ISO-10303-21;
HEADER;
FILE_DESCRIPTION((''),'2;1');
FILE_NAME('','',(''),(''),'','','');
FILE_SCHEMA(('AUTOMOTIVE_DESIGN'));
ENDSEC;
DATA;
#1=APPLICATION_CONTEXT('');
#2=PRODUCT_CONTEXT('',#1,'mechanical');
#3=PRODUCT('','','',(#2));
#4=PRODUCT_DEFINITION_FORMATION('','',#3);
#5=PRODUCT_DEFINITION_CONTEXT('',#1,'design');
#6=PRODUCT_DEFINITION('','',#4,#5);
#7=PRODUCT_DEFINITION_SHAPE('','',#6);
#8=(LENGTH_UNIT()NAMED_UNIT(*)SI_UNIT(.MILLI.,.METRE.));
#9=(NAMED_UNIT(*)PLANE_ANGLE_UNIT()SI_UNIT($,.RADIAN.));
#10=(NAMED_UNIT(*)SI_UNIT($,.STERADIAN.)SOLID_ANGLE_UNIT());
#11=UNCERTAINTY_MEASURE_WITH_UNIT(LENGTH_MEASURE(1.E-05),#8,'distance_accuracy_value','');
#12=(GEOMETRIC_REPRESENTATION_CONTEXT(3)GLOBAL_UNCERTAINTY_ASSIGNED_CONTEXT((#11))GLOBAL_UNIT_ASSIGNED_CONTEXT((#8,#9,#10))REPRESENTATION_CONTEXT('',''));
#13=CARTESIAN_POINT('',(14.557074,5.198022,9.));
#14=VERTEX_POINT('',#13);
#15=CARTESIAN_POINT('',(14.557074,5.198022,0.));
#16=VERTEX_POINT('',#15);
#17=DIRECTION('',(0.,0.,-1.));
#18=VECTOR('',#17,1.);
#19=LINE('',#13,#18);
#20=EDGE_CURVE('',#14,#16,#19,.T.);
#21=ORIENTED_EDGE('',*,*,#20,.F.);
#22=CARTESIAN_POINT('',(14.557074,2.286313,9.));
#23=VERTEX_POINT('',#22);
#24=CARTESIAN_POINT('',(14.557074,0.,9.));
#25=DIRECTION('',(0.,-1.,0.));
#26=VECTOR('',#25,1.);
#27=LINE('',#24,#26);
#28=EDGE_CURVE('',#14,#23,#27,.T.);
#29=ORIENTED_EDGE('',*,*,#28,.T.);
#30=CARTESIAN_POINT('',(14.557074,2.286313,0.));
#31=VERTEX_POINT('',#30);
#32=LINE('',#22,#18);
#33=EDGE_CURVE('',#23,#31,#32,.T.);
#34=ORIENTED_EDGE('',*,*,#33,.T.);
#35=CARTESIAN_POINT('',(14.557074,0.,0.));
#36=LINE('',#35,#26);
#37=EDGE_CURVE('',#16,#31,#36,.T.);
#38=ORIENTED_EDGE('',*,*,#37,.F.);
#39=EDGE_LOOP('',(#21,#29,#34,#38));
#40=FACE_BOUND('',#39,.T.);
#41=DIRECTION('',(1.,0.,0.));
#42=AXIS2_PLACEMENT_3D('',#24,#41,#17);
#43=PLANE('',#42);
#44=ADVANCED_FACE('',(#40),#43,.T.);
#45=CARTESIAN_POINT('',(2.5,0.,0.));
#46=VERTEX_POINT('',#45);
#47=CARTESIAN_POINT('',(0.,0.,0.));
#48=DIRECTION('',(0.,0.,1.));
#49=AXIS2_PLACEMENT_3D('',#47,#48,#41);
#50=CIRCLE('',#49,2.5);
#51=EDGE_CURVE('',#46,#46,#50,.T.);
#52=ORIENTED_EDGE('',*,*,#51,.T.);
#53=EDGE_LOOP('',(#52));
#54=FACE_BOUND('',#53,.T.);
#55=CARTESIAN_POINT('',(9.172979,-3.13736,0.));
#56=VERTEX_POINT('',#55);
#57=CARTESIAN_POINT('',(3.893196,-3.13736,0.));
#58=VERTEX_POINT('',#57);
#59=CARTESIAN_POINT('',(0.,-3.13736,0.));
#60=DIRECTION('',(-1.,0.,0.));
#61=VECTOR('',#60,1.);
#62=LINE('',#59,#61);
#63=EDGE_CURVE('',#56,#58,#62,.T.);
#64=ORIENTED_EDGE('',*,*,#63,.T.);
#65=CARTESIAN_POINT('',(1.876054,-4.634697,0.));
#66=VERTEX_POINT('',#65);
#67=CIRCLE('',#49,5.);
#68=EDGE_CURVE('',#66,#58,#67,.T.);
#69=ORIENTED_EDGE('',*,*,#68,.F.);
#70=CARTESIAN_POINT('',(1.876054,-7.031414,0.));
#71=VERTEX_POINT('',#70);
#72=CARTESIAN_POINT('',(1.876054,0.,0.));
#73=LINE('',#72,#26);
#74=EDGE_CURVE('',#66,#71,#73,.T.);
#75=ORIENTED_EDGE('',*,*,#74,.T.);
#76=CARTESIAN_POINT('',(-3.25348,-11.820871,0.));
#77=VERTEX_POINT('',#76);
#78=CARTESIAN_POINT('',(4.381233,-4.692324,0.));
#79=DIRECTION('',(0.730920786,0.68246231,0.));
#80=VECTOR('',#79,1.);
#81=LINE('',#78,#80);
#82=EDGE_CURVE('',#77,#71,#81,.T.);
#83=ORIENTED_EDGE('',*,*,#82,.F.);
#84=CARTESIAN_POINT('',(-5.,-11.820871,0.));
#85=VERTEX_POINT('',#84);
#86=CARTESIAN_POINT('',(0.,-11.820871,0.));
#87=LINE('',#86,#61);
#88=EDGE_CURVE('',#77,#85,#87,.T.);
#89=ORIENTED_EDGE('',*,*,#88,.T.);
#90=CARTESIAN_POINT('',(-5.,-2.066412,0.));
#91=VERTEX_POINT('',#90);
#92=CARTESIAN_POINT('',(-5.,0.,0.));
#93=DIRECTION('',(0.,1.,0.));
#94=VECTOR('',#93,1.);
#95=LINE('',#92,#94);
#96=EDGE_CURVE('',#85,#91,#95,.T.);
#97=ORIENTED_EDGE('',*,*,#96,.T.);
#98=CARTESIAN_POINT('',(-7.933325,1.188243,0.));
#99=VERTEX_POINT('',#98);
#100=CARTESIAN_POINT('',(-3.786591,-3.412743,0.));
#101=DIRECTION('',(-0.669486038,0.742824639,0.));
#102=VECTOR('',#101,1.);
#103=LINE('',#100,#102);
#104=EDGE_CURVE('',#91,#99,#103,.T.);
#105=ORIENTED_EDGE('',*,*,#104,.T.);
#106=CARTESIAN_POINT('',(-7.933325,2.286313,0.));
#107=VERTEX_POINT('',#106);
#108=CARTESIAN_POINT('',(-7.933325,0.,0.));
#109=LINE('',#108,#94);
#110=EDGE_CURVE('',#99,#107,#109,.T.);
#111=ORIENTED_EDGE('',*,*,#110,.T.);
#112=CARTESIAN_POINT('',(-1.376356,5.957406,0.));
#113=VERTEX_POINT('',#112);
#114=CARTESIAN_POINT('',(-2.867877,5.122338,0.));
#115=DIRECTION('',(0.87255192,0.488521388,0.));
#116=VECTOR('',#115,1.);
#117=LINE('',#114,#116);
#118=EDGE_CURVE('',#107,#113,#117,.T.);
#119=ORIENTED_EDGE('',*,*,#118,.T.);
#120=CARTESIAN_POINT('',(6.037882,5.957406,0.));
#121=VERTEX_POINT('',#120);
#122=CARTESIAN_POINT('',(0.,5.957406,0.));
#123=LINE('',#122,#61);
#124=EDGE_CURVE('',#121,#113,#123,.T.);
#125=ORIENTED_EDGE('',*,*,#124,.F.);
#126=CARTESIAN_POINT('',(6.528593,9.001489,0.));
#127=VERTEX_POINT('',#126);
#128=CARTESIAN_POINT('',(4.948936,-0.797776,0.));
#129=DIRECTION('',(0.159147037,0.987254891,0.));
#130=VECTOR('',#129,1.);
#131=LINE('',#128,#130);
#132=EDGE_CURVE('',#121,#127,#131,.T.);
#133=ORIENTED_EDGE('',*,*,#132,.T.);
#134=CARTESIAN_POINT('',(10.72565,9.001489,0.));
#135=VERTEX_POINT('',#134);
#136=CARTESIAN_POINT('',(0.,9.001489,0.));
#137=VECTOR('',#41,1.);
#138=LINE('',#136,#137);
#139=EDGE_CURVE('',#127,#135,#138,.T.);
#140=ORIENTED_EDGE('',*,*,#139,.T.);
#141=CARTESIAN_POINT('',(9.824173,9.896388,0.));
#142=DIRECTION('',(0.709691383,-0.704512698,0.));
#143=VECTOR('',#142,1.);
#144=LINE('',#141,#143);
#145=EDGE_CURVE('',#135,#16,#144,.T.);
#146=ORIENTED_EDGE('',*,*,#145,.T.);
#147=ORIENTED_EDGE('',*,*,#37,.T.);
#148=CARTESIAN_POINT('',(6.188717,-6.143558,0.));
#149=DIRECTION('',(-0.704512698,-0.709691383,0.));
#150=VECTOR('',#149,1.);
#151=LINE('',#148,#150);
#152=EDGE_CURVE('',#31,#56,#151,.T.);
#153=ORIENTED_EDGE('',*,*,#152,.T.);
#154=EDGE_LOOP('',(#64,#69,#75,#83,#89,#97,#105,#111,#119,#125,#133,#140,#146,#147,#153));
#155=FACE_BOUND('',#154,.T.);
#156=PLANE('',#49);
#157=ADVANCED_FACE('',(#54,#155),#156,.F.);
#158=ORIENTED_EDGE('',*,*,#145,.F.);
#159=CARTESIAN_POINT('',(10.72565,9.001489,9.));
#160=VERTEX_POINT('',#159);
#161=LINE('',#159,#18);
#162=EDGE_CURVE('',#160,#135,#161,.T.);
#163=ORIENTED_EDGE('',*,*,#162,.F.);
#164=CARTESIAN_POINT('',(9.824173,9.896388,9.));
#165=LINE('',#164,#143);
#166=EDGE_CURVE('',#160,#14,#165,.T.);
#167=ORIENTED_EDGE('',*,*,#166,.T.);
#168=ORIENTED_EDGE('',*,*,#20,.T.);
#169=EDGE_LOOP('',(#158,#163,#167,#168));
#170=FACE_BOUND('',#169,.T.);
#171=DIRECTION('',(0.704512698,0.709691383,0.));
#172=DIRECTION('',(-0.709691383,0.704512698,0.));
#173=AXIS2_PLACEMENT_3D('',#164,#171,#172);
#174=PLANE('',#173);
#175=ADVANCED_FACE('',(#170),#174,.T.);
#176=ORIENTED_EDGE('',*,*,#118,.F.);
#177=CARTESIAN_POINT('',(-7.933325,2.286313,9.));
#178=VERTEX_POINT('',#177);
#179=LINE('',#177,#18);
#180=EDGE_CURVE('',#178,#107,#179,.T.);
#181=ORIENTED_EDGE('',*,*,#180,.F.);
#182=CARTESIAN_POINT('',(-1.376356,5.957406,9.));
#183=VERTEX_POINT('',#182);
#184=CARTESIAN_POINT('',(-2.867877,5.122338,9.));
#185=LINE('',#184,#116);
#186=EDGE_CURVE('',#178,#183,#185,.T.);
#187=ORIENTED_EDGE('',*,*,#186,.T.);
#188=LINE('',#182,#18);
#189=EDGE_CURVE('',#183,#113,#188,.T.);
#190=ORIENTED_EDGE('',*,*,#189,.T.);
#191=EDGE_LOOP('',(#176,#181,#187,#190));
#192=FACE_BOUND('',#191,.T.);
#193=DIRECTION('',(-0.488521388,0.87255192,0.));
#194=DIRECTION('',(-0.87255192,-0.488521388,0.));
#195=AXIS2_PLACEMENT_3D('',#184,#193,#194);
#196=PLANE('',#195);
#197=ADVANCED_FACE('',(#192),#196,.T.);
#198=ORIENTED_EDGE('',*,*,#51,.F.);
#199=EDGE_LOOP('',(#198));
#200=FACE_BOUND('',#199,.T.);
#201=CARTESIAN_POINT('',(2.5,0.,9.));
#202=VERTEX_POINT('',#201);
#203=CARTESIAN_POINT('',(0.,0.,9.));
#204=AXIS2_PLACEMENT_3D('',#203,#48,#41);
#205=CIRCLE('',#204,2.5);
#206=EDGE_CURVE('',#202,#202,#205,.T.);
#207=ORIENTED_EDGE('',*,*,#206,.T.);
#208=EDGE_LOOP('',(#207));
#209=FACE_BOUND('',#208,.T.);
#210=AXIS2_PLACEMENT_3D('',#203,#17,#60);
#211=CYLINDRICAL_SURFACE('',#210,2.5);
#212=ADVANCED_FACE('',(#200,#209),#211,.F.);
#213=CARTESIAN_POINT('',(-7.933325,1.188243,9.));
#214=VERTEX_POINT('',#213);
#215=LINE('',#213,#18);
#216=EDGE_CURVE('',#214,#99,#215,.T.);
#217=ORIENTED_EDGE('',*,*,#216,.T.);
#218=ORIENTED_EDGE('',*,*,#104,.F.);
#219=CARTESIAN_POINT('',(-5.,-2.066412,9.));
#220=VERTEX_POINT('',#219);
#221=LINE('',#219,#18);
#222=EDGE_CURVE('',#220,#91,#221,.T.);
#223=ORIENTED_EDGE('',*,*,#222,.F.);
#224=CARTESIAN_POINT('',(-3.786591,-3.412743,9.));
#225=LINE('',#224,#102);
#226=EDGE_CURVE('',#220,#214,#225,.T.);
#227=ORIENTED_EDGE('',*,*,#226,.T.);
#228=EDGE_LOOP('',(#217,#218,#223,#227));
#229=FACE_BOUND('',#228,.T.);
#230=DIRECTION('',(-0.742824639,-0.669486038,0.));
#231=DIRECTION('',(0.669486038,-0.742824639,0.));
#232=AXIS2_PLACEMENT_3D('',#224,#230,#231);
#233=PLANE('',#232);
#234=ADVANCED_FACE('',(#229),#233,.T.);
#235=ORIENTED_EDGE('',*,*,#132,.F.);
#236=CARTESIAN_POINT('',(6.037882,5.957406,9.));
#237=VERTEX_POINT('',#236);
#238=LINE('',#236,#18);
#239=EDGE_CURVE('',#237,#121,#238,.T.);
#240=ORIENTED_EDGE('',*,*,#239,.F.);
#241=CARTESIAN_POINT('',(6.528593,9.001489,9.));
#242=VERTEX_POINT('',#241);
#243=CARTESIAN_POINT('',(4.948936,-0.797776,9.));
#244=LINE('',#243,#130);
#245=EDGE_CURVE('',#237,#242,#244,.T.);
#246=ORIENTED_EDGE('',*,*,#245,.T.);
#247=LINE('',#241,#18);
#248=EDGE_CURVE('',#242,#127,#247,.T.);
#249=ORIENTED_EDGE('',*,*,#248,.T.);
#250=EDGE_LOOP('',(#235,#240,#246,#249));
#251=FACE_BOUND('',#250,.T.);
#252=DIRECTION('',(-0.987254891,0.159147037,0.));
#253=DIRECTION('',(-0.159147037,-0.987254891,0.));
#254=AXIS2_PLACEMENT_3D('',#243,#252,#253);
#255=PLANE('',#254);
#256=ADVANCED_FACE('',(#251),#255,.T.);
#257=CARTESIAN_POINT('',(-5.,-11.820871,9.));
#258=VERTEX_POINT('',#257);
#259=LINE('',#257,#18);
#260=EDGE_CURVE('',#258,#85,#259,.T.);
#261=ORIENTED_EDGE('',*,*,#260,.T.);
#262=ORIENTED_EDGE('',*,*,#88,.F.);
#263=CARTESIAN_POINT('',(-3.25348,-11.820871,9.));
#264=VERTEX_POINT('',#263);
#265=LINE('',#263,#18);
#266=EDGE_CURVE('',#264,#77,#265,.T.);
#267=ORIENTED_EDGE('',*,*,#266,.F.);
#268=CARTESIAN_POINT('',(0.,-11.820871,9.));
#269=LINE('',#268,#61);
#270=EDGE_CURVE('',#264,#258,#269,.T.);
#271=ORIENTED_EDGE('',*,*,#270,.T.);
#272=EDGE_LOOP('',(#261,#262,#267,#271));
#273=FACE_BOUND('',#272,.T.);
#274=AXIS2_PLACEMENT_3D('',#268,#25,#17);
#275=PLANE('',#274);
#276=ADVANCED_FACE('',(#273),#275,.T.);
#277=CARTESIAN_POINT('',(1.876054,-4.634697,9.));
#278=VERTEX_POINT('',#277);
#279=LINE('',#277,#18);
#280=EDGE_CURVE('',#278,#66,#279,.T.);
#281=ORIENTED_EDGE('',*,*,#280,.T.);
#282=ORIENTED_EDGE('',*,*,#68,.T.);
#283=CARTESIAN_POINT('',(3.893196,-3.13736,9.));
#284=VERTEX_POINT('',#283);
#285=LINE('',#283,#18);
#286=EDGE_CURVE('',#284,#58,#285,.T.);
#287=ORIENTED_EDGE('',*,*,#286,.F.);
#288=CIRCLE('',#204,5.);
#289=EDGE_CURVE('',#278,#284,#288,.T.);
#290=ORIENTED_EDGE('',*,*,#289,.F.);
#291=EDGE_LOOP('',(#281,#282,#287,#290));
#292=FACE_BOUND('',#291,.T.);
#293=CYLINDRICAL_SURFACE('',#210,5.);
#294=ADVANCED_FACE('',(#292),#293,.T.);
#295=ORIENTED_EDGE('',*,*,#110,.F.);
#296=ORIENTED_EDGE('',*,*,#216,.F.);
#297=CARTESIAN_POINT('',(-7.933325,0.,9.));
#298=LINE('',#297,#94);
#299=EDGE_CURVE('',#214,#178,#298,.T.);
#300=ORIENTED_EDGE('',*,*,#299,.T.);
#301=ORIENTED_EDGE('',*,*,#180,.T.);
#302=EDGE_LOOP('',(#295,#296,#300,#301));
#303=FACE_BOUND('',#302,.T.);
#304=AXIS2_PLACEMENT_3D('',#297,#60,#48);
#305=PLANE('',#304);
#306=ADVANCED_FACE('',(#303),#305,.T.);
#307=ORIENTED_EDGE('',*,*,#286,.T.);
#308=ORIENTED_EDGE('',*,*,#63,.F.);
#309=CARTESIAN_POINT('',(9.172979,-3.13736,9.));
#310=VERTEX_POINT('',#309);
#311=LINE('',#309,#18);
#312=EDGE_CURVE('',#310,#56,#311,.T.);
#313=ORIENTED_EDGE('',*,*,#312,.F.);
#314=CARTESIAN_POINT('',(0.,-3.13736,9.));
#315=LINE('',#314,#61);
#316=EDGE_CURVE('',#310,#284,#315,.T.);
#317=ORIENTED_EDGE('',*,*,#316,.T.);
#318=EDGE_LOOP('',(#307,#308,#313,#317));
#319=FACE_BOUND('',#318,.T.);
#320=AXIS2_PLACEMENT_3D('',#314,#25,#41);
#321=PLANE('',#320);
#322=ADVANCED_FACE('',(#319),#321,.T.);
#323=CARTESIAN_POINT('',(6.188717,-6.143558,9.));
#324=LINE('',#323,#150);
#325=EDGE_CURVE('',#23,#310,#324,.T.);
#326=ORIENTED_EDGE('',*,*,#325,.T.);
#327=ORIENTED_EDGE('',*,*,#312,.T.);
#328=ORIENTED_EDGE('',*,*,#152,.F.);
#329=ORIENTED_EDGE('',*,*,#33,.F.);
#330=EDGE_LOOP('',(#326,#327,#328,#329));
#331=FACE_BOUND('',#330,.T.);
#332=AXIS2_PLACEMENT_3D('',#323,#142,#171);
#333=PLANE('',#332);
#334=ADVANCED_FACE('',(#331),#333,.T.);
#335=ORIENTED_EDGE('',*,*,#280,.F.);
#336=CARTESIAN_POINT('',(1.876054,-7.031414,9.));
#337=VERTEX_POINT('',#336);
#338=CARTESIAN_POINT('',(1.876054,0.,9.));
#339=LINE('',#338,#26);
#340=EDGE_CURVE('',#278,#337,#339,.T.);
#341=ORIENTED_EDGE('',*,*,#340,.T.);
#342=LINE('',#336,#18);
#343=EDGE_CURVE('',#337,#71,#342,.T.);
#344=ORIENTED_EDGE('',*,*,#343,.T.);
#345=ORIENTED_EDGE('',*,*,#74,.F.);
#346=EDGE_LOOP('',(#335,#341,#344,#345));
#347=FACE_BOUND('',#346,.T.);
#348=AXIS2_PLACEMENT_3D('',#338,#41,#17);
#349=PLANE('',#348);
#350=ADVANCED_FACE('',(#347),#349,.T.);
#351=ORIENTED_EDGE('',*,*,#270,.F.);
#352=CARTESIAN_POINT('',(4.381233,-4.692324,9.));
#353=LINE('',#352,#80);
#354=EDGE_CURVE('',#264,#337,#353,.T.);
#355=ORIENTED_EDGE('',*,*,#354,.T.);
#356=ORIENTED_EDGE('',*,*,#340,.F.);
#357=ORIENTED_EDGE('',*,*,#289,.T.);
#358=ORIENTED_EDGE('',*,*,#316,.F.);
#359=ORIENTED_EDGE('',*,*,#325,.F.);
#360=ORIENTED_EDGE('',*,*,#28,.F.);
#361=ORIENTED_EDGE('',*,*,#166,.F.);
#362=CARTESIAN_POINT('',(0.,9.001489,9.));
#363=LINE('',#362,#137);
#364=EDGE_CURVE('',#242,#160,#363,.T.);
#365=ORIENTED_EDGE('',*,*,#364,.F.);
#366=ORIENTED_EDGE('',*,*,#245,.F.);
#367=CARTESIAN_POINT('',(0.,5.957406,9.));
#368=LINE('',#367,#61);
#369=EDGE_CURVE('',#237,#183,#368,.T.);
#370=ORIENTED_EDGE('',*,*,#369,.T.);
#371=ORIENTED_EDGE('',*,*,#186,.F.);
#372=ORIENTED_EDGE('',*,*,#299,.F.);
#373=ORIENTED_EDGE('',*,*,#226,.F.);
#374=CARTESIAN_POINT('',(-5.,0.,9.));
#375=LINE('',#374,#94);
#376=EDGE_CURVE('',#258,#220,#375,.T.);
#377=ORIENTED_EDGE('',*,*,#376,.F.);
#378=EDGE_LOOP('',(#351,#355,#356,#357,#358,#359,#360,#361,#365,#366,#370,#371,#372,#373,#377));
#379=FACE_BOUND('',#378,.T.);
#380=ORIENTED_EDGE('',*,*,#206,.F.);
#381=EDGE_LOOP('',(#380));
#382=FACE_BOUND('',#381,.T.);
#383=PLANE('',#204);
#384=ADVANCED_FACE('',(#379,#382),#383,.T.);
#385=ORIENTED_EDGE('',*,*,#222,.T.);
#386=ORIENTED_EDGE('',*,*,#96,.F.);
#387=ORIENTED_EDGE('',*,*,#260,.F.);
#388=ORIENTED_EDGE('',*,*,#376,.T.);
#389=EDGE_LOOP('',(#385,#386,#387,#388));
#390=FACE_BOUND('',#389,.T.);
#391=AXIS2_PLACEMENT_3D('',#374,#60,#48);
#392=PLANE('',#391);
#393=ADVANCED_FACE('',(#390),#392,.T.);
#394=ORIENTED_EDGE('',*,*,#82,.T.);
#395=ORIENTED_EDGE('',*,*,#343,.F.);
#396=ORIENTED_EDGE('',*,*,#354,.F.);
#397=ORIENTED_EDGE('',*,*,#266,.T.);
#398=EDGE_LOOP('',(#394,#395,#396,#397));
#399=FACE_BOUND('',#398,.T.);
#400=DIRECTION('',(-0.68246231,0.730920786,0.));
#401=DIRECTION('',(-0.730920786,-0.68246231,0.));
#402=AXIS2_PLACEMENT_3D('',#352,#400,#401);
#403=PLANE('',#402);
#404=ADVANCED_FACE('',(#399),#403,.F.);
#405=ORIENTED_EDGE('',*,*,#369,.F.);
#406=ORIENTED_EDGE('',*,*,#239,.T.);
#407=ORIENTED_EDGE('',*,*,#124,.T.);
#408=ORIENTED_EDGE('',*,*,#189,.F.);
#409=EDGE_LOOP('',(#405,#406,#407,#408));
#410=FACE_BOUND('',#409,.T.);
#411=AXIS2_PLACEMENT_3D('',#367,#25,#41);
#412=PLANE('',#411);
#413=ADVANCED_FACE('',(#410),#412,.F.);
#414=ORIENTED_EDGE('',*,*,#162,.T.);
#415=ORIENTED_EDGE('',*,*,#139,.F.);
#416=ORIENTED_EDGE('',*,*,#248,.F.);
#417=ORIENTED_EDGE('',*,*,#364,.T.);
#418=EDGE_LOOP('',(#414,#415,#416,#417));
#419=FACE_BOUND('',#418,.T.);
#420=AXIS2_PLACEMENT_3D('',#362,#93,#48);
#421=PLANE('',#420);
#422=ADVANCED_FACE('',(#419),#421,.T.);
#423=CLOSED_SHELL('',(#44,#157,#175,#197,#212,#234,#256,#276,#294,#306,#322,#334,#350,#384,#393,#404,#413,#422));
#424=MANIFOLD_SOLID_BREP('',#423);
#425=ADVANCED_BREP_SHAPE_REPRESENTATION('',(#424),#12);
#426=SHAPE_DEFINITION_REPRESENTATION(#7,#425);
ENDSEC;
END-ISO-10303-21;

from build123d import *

# Parameters (mm, degrees)
SKETCH_1_R      = 2.5
EXTRUDE_1_DEPTH = 9


with BuildPart() as part:
    # 스케치1 → 보스-돌출1 (new body)
    with BuildSketch(Plane.XY):
        with BuildLine():
            Line((-7.933325128, 1.188242905), (-5, -2.066412243))
            Line((-5, -2.066412243), (-5, -11.820871263))
            Line((-5, -11.820871263), (-3.253479839, -11.820871263))
            Line((-3.253479839, -11.820871263), (1.87605446, -7.031414053))
            Line((1.87605446, -7.031414053), (1.87605446, -4.634697365))
            ThreePointArc((1.87605446, -4.634697365), (2.980195691, -4.014776911), (3.893195608, -3.13736003))
            Line((3.893195608, -3.13736003), (9.172978659, -3.13736003))
            Line((9.172978659, -3.13736003), (14.557074242, 2.286312605))
            Line((14.557074242, 2.286312605), (14.557074242, 5.198022376))
            Line((14.557074242, 5.198022376), (10.725649804, 9.001488547))
            Line((10.725649804, 9.001488547), (6.528593017, 9.001488547))
            Line((6.528593017, 9.001488547), (6.037882178, 5.957406269))
            Line((6.037882178, 5.957406269), (-1.376355668, 5.957406269))
            Line((-1.376355668, 5.957406269), (-7.933325128, 2.286312605))
            Line((-7.933325128, 2.286312605), (-7.933325128, 1.188242905))
        make_face()
        Circle(SKETCH_1_R, mode=Mode.SUBTRACT)
    extrude(amount=EXTRUDE_1_DEPTH)


solid = part.part
